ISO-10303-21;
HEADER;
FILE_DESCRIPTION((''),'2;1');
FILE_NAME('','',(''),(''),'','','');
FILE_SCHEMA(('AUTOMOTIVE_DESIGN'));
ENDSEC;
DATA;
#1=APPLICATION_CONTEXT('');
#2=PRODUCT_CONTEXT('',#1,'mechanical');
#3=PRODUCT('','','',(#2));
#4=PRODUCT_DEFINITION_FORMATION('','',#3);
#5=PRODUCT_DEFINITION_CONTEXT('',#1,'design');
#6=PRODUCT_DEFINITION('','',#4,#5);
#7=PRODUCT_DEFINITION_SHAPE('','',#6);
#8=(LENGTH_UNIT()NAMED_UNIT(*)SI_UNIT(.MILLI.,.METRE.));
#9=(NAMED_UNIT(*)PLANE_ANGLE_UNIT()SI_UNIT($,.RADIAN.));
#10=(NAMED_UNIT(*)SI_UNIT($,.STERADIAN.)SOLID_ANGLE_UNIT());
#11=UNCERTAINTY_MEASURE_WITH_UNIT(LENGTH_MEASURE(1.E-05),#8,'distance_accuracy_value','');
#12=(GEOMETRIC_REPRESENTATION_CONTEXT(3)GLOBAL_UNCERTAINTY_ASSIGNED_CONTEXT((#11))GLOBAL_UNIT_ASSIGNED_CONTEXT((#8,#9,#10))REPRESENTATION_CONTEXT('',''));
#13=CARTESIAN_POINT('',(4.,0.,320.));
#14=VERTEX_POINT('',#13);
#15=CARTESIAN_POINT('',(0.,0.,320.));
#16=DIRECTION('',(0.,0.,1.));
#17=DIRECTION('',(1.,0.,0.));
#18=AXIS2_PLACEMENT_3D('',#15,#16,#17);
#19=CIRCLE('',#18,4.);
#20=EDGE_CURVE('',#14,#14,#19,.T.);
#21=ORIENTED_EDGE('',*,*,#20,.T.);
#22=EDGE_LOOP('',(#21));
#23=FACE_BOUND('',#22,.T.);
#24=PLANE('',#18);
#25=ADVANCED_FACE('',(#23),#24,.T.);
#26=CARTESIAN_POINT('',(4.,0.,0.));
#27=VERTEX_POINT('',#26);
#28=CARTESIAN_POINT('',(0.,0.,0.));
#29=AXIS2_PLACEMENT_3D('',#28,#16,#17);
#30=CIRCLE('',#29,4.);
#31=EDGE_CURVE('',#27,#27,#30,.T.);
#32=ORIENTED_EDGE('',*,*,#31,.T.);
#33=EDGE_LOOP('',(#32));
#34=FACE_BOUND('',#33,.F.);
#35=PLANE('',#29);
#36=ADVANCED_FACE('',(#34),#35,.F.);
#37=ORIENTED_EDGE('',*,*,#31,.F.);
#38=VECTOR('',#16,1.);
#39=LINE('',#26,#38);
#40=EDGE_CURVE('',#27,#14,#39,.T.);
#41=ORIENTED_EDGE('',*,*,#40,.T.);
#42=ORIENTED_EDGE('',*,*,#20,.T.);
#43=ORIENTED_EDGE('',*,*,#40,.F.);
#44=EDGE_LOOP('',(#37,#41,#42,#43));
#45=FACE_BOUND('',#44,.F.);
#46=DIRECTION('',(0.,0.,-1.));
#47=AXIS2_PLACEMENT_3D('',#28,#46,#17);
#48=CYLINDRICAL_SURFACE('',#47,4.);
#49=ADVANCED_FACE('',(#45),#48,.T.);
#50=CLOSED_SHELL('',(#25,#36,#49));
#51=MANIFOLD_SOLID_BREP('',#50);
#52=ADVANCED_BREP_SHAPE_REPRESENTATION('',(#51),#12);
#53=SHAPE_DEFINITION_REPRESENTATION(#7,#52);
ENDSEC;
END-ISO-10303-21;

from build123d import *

# Parameters (mm, degrees)
CYLINDER_R     = 4
CYLINDER_DEPTH = 320


with BuildPart() as part:
    # Cylinder → Cylinder (new body)
    with BuildSketch(Plane.XY):
        Circle(CYLINDER_R)
    extrude(amount=CYLINDER_DEPTH)


solid = part.part
